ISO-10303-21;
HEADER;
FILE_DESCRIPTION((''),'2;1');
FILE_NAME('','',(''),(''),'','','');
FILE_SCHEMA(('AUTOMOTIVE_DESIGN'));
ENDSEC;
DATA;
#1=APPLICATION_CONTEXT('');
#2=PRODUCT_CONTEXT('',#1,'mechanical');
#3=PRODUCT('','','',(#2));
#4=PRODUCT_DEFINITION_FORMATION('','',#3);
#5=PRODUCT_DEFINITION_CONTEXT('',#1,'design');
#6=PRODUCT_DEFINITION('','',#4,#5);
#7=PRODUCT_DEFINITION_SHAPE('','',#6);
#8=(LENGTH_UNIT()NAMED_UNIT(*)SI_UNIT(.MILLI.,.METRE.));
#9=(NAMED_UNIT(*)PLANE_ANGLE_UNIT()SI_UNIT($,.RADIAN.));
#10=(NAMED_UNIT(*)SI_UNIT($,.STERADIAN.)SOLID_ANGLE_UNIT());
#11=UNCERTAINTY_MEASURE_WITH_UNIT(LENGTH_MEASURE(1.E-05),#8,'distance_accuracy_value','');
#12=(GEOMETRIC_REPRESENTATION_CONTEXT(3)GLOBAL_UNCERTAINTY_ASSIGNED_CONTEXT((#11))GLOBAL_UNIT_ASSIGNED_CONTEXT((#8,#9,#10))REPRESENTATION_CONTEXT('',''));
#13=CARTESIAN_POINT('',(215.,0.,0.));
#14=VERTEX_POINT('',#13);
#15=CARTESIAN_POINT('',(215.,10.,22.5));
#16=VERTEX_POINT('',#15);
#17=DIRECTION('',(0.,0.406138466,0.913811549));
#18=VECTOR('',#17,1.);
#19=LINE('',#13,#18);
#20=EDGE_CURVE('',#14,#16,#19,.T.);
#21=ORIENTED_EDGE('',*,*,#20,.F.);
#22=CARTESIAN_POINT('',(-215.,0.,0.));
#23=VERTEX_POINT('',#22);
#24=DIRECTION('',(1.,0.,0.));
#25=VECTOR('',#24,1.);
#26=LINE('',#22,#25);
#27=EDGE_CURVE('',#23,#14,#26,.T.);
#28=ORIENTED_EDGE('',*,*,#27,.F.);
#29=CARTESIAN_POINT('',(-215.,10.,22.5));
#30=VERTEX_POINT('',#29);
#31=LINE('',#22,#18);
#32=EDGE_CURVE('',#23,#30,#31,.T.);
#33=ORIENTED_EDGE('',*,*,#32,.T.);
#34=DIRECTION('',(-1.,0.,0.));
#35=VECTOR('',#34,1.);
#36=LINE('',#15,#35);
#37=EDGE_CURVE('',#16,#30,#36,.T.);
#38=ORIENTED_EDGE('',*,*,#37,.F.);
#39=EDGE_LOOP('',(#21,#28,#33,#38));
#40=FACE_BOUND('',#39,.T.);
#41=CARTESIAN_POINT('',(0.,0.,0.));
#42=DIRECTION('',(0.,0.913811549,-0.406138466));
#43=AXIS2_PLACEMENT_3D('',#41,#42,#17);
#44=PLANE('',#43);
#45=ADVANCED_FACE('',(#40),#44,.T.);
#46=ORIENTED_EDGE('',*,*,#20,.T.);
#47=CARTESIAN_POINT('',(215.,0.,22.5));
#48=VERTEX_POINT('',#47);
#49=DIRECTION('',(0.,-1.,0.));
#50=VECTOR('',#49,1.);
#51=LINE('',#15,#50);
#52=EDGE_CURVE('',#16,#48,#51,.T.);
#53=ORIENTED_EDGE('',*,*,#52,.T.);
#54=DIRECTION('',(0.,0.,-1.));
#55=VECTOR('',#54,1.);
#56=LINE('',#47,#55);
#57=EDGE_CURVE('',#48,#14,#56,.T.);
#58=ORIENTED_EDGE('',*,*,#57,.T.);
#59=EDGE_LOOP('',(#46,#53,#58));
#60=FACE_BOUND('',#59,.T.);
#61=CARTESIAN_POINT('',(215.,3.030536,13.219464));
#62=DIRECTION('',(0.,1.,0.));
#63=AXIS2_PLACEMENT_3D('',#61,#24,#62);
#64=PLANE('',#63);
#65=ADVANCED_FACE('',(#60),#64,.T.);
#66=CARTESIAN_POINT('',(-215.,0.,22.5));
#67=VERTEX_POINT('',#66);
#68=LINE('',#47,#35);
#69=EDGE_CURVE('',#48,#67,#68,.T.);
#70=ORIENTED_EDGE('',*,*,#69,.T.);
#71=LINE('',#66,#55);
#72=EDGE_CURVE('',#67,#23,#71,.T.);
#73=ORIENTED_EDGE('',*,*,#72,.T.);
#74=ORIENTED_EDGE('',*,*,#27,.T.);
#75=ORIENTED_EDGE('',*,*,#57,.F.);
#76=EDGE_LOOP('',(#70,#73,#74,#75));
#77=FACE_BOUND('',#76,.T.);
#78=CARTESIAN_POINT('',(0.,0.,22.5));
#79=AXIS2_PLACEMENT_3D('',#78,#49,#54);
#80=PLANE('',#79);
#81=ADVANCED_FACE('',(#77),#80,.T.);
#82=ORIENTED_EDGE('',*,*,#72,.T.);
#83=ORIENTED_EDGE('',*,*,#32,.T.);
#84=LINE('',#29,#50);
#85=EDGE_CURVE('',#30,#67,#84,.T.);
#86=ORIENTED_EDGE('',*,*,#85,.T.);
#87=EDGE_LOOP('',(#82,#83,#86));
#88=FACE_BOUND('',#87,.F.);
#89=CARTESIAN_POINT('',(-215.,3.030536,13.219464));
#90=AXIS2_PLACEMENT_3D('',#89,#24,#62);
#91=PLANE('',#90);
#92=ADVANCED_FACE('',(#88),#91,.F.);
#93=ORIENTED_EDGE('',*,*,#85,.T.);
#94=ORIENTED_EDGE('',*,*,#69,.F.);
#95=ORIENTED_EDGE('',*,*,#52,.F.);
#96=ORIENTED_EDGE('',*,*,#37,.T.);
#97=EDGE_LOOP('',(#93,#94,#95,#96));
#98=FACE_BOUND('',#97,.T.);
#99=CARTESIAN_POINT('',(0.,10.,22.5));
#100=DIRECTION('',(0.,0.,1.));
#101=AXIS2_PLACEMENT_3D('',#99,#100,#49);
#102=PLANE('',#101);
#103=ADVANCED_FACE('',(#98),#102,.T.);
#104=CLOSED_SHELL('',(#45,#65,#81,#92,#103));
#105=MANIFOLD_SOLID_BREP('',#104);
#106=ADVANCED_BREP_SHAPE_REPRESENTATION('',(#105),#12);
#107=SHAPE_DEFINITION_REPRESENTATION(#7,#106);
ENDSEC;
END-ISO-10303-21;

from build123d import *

# Parameters (mm, degrees)
F1_DEPTH = 215


with BuildPart() as f1:
    # F0 (on Right) → F1 (new body, symmetric)
    with BuildSketch(Plane.YZ):
        Polygon((0, 22.5), (0, 0), (10, 22.5), align=None)
    extrude(amount=F1_DEPTH, both=True)


solid = f1.part
